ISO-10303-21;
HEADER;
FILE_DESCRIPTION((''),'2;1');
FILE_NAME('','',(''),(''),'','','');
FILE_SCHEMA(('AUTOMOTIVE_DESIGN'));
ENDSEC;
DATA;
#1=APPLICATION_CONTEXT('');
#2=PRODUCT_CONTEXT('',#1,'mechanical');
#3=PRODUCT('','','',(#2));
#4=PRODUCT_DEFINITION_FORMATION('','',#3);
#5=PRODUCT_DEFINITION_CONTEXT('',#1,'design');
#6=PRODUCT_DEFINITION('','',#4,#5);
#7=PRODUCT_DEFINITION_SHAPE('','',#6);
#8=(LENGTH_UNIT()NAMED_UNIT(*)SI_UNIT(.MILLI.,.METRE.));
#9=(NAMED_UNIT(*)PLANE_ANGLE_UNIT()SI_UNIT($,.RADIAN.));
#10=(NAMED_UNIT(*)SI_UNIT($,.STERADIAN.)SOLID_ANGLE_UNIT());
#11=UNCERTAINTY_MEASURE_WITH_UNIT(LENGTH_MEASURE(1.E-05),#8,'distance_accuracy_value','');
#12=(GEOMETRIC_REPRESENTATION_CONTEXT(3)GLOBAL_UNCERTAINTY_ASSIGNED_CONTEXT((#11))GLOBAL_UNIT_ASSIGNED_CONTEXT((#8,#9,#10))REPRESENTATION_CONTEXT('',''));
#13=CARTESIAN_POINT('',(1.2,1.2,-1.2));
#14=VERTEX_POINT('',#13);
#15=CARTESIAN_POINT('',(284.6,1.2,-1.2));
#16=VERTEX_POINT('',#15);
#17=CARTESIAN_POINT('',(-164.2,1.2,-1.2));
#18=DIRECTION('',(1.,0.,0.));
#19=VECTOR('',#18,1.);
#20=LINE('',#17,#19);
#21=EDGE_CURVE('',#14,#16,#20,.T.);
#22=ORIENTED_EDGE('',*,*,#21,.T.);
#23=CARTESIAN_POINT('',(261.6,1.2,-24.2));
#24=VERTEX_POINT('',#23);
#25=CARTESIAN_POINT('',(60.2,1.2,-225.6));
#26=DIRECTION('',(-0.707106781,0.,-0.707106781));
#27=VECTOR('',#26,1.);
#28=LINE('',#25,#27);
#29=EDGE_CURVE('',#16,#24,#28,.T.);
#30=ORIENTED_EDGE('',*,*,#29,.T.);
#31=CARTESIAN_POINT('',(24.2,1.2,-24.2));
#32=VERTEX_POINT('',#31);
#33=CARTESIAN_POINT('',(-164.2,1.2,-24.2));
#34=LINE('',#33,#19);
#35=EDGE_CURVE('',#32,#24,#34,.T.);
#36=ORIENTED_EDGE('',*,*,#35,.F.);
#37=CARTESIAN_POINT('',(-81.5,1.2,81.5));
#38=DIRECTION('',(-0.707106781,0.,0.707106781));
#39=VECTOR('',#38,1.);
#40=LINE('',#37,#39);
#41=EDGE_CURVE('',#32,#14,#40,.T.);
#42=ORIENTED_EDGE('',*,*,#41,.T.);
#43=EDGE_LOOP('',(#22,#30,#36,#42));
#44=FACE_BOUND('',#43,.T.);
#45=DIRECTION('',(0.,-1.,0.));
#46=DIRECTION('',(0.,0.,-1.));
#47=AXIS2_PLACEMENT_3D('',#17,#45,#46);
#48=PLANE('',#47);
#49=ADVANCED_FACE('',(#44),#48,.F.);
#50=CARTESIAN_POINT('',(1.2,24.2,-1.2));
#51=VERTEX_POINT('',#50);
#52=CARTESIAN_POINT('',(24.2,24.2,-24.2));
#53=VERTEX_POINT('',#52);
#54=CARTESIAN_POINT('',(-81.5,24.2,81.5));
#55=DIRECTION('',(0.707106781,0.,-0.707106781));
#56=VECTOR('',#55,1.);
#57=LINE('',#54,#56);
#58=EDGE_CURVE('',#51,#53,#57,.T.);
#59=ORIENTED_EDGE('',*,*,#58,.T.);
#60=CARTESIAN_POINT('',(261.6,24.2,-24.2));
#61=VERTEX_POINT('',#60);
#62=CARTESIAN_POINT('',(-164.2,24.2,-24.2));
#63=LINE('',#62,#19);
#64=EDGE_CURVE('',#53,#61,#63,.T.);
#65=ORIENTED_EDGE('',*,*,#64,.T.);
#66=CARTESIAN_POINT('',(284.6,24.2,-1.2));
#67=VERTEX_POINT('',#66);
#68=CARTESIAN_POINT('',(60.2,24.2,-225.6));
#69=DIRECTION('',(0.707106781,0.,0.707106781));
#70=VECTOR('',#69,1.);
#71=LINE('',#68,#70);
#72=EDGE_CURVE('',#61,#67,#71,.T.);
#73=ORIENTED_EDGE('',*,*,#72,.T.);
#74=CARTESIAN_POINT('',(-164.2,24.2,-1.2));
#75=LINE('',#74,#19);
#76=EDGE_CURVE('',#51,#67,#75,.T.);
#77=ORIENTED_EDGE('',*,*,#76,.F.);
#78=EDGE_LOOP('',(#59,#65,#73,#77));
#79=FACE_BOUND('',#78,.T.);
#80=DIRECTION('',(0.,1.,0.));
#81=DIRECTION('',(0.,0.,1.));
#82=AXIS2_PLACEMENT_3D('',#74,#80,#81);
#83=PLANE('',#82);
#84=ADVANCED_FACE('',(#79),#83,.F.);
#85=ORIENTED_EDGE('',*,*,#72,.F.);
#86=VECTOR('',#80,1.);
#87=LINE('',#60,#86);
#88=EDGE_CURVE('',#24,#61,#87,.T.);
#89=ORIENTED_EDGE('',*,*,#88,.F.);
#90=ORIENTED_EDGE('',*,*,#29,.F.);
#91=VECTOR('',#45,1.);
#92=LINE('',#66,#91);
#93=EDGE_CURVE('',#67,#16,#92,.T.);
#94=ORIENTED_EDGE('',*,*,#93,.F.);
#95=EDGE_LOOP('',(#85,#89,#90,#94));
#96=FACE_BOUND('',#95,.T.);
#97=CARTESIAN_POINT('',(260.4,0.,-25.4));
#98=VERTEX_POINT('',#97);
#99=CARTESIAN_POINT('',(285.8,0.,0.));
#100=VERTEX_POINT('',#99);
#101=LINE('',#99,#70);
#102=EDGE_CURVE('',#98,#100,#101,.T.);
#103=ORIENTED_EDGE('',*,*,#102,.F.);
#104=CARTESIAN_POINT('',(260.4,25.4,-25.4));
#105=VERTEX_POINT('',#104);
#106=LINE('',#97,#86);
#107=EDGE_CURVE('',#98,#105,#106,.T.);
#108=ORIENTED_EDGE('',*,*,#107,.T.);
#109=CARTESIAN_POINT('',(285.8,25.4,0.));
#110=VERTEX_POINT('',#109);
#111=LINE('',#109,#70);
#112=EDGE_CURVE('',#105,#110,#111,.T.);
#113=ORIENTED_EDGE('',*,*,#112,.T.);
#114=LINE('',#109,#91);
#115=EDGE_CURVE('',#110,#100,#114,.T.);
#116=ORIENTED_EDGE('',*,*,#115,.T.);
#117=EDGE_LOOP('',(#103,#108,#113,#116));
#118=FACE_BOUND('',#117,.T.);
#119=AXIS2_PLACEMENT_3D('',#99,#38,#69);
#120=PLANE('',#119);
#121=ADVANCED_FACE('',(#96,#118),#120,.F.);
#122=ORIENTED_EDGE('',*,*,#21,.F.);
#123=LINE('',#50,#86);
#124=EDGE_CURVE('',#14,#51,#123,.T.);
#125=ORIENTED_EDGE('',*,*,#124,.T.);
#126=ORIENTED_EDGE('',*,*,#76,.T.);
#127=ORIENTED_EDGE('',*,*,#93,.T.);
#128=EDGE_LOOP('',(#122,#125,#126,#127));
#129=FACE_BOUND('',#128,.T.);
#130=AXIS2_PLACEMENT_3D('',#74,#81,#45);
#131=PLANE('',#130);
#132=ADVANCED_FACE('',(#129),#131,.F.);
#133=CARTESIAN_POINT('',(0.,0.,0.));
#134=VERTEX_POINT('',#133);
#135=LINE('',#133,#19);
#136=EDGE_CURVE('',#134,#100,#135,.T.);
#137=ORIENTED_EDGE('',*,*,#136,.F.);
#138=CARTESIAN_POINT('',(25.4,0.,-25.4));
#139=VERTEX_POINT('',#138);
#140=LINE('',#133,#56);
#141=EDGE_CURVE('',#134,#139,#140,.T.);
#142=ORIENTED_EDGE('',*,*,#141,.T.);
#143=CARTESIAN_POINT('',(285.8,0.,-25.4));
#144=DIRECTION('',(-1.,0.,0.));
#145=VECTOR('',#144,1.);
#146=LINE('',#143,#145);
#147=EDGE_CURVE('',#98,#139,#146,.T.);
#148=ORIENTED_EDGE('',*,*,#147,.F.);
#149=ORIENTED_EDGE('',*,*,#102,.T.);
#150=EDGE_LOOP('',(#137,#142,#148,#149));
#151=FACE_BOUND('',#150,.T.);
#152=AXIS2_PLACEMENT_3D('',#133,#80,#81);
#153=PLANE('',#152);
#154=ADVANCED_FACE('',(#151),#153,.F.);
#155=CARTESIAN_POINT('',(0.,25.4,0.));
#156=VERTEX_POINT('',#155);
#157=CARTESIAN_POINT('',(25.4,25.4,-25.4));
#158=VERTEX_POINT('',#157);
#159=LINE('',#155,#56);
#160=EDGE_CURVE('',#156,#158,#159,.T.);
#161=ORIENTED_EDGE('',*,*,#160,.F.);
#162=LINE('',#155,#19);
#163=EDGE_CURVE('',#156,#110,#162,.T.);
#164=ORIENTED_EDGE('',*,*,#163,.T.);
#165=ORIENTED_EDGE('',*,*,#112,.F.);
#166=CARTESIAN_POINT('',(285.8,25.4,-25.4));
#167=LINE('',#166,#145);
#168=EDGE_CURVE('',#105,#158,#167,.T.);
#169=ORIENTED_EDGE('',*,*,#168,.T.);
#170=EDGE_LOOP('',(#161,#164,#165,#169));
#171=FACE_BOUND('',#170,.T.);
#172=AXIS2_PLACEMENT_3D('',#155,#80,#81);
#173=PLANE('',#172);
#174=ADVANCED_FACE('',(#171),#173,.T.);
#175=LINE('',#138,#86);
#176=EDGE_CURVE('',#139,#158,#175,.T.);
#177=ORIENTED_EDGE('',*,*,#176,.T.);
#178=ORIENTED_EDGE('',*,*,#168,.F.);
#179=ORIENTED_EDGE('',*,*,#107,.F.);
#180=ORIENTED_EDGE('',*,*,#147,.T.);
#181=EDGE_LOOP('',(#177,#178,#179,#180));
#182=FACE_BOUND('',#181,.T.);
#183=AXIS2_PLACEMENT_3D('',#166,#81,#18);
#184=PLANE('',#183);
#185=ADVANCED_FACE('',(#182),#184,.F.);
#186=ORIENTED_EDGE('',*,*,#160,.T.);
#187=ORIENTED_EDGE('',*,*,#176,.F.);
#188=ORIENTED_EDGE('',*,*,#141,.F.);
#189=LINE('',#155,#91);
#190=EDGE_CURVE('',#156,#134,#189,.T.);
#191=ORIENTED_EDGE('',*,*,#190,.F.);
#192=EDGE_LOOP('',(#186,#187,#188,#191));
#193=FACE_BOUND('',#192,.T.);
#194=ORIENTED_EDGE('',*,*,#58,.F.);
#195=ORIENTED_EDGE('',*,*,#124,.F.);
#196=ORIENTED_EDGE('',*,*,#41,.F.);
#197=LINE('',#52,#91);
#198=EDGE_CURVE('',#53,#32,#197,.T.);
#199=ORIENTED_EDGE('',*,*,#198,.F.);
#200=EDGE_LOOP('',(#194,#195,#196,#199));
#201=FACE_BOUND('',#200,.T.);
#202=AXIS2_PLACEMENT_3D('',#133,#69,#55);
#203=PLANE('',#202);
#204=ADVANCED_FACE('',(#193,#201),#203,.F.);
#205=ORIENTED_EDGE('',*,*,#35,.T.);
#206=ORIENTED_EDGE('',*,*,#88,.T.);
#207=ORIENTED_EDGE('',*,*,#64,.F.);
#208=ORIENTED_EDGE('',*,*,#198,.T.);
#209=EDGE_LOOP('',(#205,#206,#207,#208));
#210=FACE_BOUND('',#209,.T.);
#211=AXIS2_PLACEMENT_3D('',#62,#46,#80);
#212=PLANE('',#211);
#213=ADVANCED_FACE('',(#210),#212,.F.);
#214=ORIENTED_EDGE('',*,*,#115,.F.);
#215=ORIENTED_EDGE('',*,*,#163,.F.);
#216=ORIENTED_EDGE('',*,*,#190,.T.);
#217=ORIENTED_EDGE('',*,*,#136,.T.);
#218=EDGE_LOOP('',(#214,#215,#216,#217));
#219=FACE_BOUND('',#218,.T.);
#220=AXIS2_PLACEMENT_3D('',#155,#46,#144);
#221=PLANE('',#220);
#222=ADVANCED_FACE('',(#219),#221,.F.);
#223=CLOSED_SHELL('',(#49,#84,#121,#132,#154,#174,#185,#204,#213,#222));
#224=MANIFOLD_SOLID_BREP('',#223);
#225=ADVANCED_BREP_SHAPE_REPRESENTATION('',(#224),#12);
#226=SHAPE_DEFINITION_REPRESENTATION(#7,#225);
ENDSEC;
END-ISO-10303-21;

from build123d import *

# Parameters (mm, degrees)
SKETCH1_W           = 285.8
SKETCH1_H           = 25.4
BOSS_EXTRUDE1_DEPTH = 25.4
SKETCH2_W           = 23
SKETCH2_H           = 23
CUT_EXTRUDE1_DEPTH  = 450
CUT_EXTRUDE2_DEPTH  = 25.4


with BuildPart() as part:
    # Sketch1 → Boss-Extrude1 (new body)
    with BuildSketch(Plane(origin=(0, 0, 0), x_dir=(1, 0, 0), z_dir=(0, 1, 0))):
        with Locations((142.9, 12.7)):
            Rectangle(SKETCH1_W, SKETCH1_H)
    extrude(amount=BOSS_EXTRUDE1_DEPTH)

    # Sketch2 → Cut-Extrude1 (cut)
    with BuildSketch(Plane(origin=(285.8, 0, 0), x_dir=(0, 0, -1), z_dir=(1, 0, 0))):
        with Locations((12.7, 12.7)):
            Rectangle(SKETCH2_W, SKETCH2_H)
    extrude(amount=-CUT_EXTRUDE1_DEPTH, mode=Mode.SUBTRACT)

    # Sketch3 → Cut-Extrude2 (cut)
    with BuildSketch(Plane(origin=(0, 25.4, 0), x_dir=(1, 0, 0), z_dir=(0, 1, 0))):
        Polygon((0, 0), (25.4, 25.4), (0, 25.4), align=None)
        Polygon((285.8, 0), (260.4, 25.4), (285.8, 25.4), align=None)
    extrude(amount=-CUT_EXTRUDE2_DEPTH, mode=Mode.SUBTRACT)


solid = part.part
